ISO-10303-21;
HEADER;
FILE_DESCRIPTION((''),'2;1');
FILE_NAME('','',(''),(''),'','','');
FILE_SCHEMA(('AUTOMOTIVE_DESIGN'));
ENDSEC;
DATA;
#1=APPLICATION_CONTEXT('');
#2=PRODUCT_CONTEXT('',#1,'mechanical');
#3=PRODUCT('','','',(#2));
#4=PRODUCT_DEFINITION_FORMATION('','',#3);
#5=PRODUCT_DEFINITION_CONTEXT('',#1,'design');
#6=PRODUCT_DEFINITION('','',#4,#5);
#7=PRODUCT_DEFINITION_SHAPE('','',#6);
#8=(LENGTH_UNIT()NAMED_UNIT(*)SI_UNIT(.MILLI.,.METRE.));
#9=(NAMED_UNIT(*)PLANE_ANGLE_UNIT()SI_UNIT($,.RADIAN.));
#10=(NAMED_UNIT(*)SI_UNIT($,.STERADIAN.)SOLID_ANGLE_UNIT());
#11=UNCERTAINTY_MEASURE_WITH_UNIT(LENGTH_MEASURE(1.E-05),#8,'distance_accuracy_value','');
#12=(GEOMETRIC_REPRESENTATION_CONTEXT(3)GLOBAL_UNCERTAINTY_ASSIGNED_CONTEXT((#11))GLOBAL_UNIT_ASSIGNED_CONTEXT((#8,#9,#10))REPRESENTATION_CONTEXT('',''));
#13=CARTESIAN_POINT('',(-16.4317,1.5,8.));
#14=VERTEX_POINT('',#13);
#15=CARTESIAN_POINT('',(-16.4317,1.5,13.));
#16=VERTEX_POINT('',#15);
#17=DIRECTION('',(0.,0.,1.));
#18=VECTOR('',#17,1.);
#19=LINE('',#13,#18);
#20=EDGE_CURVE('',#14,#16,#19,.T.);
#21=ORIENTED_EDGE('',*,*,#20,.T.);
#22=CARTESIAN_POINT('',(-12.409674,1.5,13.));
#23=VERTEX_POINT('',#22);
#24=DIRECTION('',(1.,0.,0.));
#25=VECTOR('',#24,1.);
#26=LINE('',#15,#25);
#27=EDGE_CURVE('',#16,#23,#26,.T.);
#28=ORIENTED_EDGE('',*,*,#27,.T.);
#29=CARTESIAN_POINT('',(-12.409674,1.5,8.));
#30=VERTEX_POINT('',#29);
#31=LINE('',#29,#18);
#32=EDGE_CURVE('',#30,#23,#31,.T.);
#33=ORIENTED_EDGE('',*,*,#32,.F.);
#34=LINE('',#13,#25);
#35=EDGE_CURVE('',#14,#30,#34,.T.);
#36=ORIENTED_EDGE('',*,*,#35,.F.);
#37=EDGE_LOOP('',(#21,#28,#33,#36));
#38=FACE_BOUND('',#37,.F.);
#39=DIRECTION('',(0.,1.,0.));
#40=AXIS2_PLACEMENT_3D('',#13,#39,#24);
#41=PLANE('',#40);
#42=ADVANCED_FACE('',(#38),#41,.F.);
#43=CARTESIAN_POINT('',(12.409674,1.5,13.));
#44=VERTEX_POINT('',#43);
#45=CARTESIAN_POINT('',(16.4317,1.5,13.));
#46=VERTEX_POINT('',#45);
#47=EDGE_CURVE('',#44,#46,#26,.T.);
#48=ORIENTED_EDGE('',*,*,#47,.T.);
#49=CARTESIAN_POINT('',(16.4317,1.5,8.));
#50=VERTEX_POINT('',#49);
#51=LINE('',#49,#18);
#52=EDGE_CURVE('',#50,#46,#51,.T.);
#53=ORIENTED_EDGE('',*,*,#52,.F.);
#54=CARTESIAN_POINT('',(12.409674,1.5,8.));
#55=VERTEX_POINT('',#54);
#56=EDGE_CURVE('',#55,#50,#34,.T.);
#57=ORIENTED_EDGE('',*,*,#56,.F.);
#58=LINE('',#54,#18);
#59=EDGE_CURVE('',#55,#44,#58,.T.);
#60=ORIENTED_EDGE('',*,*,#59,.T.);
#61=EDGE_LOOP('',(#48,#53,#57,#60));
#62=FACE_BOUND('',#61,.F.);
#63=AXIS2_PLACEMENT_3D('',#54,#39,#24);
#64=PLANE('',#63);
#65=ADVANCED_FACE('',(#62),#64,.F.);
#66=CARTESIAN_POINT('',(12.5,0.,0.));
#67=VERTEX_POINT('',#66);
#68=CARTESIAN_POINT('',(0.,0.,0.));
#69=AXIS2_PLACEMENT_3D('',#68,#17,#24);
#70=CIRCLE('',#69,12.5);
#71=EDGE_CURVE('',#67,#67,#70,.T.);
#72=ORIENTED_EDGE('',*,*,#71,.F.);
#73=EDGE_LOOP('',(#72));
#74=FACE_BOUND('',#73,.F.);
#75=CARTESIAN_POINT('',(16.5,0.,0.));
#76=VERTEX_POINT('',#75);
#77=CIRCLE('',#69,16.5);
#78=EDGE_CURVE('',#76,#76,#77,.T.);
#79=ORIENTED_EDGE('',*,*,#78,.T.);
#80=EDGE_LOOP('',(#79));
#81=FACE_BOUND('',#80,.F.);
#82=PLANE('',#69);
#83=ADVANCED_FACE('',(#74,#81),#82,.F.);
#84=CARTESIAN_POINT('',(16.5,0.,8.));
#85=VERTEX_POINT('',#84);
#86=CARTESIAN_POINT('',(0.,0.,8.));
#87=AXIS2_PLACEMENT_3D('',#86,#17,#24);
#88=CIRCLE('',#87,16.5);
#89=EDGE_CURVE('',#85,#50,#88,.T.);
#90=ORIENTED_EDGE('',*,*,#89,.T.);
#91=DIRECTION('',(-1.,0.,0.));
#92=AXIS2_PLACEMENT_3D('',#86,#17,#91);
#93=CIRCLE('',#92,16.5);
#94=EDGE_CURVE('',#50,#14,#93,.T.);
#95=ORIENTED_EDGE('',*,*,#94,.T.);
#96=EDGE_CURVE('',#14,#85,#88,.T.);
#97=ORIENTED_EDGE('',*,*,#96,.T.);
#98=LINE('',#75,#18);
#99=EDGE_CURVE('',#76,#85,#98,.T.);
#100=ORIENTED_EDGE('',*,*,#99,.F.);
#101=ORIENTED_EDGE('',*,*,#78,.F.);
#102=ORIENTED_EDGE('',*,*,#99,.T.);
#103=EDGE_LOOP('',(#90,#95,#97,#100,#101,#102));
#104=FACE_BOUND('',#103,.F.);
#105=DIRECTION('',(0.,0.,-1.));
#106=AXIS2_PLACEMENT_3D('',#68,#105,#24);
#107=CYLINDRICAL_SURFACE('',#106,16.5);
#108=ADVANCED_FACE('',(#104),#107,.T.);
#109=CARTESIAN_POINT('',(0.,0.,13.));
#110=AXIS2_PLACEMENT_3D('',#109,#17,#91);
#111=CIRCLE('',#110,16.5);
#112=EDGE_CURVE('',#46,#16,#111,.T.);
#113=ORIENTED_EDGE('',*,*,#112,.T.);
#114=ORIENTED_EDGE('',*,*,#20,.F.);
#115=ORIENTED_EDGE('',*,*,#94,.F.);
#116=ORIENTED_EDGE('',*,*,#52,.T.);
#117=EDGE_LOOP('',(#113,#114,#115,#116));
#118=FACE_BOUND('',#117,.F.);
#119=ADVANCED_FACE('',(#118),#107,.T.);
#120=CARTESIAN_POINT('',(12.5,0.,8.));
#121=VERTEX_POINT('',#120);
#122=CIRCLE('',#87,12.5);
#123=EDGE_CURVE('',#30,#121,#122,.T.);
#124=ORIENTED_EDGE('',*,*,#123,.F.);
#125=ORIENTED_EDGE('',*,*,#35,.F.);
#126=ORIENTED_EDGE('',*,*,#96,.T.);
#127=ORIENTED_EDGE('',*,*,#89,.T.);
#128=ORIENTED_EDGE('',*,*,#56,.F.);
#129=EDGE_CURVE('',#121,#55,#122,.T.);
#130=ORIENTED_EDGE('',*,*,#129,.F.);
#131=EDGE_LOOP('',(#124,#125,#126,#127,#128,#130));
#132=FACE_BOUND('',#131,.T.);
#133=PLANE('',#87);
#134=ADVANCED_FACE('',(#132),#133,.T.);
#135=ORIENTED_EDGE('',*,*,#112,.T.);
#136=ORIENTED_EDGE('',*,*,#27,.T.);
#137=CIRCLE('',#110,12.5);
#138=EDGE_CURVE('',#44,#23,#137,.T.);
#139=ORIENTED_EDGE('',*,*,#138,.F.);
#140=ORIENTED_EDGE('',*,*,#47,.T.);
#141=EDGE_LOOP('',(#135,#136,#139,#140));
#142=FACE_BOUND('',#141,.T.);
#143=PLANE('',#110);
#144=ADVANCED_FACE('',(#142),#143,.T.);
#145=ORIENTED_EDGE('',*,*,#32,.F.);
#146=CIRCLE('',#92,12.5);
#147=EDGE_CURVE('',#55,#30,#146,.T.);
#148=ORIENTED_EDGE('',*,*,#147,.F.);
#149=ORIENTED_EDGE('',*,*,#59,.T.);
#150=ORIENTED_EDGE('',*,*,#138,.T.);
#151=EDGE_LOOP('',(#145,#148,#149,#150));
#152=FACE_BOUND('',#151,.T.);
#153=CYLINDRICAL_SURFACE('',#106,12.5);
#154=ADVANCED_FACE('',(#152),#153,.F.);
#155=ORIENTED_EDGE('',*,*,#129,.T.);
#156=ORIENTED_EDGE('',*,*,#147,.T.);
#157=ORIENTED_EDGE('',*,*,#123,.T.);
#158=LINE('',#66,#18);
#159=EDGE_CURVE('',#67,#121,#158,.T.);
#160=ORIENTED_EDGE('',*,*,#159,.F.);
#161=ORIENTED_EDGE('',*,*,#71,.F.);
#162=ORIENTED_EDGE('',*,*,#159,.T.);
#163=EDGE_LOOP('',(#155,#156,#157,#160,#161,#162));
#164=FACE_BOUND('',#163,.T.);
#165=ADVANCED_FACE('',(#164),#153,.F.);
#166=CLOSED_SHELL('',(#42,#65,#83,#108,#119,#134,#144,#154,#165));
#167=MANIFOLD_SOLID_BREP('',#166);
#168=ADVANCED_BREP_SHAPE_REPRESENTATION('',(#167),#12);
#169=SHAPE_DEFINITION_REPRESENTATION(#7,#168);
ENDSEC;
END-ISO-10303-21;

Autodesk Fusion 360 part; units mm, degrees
sketch "Sketch1" plane through (0, 0, 0) normal (0, 0, 1) x (1, 0, 0)
  circle A0 centre (0, 0) radius 16.5
  circle A1 centre (0, 0) radius 12.5
  dimension "d1" = 33
  dimension "d2" = 25
extrude "Extrude1" add sketch "Sketch1" along normal blind 8
sketch "Sketch2" plane through (0, 0, 8) normal (0, 0, 1) x (-1, 0, 0)
  circle A0 centre (0, 0) radius 12.5
  circle A1 centre (0, 0) radius 16.5
  line L0 (-0.0363, -16.5) -> (-0.0363, -1.5) construction
  line L1 (-0.0363, -1.5) -> (16.4317, -1.5) construction
  line L2 (16.4317, -1.5) -> (-16.4317, -1.5)
  line L3 (-16.4317, -1.5) -> (-13.3757, -8.3419)
  dimension "d5" = 15
  dimension "d6" = 7.4934
extrude "Extrude2" add sketch "Sketch2" along normal blind 5 contours A0 A1 L2 picked at (14.9574, -2.302)
